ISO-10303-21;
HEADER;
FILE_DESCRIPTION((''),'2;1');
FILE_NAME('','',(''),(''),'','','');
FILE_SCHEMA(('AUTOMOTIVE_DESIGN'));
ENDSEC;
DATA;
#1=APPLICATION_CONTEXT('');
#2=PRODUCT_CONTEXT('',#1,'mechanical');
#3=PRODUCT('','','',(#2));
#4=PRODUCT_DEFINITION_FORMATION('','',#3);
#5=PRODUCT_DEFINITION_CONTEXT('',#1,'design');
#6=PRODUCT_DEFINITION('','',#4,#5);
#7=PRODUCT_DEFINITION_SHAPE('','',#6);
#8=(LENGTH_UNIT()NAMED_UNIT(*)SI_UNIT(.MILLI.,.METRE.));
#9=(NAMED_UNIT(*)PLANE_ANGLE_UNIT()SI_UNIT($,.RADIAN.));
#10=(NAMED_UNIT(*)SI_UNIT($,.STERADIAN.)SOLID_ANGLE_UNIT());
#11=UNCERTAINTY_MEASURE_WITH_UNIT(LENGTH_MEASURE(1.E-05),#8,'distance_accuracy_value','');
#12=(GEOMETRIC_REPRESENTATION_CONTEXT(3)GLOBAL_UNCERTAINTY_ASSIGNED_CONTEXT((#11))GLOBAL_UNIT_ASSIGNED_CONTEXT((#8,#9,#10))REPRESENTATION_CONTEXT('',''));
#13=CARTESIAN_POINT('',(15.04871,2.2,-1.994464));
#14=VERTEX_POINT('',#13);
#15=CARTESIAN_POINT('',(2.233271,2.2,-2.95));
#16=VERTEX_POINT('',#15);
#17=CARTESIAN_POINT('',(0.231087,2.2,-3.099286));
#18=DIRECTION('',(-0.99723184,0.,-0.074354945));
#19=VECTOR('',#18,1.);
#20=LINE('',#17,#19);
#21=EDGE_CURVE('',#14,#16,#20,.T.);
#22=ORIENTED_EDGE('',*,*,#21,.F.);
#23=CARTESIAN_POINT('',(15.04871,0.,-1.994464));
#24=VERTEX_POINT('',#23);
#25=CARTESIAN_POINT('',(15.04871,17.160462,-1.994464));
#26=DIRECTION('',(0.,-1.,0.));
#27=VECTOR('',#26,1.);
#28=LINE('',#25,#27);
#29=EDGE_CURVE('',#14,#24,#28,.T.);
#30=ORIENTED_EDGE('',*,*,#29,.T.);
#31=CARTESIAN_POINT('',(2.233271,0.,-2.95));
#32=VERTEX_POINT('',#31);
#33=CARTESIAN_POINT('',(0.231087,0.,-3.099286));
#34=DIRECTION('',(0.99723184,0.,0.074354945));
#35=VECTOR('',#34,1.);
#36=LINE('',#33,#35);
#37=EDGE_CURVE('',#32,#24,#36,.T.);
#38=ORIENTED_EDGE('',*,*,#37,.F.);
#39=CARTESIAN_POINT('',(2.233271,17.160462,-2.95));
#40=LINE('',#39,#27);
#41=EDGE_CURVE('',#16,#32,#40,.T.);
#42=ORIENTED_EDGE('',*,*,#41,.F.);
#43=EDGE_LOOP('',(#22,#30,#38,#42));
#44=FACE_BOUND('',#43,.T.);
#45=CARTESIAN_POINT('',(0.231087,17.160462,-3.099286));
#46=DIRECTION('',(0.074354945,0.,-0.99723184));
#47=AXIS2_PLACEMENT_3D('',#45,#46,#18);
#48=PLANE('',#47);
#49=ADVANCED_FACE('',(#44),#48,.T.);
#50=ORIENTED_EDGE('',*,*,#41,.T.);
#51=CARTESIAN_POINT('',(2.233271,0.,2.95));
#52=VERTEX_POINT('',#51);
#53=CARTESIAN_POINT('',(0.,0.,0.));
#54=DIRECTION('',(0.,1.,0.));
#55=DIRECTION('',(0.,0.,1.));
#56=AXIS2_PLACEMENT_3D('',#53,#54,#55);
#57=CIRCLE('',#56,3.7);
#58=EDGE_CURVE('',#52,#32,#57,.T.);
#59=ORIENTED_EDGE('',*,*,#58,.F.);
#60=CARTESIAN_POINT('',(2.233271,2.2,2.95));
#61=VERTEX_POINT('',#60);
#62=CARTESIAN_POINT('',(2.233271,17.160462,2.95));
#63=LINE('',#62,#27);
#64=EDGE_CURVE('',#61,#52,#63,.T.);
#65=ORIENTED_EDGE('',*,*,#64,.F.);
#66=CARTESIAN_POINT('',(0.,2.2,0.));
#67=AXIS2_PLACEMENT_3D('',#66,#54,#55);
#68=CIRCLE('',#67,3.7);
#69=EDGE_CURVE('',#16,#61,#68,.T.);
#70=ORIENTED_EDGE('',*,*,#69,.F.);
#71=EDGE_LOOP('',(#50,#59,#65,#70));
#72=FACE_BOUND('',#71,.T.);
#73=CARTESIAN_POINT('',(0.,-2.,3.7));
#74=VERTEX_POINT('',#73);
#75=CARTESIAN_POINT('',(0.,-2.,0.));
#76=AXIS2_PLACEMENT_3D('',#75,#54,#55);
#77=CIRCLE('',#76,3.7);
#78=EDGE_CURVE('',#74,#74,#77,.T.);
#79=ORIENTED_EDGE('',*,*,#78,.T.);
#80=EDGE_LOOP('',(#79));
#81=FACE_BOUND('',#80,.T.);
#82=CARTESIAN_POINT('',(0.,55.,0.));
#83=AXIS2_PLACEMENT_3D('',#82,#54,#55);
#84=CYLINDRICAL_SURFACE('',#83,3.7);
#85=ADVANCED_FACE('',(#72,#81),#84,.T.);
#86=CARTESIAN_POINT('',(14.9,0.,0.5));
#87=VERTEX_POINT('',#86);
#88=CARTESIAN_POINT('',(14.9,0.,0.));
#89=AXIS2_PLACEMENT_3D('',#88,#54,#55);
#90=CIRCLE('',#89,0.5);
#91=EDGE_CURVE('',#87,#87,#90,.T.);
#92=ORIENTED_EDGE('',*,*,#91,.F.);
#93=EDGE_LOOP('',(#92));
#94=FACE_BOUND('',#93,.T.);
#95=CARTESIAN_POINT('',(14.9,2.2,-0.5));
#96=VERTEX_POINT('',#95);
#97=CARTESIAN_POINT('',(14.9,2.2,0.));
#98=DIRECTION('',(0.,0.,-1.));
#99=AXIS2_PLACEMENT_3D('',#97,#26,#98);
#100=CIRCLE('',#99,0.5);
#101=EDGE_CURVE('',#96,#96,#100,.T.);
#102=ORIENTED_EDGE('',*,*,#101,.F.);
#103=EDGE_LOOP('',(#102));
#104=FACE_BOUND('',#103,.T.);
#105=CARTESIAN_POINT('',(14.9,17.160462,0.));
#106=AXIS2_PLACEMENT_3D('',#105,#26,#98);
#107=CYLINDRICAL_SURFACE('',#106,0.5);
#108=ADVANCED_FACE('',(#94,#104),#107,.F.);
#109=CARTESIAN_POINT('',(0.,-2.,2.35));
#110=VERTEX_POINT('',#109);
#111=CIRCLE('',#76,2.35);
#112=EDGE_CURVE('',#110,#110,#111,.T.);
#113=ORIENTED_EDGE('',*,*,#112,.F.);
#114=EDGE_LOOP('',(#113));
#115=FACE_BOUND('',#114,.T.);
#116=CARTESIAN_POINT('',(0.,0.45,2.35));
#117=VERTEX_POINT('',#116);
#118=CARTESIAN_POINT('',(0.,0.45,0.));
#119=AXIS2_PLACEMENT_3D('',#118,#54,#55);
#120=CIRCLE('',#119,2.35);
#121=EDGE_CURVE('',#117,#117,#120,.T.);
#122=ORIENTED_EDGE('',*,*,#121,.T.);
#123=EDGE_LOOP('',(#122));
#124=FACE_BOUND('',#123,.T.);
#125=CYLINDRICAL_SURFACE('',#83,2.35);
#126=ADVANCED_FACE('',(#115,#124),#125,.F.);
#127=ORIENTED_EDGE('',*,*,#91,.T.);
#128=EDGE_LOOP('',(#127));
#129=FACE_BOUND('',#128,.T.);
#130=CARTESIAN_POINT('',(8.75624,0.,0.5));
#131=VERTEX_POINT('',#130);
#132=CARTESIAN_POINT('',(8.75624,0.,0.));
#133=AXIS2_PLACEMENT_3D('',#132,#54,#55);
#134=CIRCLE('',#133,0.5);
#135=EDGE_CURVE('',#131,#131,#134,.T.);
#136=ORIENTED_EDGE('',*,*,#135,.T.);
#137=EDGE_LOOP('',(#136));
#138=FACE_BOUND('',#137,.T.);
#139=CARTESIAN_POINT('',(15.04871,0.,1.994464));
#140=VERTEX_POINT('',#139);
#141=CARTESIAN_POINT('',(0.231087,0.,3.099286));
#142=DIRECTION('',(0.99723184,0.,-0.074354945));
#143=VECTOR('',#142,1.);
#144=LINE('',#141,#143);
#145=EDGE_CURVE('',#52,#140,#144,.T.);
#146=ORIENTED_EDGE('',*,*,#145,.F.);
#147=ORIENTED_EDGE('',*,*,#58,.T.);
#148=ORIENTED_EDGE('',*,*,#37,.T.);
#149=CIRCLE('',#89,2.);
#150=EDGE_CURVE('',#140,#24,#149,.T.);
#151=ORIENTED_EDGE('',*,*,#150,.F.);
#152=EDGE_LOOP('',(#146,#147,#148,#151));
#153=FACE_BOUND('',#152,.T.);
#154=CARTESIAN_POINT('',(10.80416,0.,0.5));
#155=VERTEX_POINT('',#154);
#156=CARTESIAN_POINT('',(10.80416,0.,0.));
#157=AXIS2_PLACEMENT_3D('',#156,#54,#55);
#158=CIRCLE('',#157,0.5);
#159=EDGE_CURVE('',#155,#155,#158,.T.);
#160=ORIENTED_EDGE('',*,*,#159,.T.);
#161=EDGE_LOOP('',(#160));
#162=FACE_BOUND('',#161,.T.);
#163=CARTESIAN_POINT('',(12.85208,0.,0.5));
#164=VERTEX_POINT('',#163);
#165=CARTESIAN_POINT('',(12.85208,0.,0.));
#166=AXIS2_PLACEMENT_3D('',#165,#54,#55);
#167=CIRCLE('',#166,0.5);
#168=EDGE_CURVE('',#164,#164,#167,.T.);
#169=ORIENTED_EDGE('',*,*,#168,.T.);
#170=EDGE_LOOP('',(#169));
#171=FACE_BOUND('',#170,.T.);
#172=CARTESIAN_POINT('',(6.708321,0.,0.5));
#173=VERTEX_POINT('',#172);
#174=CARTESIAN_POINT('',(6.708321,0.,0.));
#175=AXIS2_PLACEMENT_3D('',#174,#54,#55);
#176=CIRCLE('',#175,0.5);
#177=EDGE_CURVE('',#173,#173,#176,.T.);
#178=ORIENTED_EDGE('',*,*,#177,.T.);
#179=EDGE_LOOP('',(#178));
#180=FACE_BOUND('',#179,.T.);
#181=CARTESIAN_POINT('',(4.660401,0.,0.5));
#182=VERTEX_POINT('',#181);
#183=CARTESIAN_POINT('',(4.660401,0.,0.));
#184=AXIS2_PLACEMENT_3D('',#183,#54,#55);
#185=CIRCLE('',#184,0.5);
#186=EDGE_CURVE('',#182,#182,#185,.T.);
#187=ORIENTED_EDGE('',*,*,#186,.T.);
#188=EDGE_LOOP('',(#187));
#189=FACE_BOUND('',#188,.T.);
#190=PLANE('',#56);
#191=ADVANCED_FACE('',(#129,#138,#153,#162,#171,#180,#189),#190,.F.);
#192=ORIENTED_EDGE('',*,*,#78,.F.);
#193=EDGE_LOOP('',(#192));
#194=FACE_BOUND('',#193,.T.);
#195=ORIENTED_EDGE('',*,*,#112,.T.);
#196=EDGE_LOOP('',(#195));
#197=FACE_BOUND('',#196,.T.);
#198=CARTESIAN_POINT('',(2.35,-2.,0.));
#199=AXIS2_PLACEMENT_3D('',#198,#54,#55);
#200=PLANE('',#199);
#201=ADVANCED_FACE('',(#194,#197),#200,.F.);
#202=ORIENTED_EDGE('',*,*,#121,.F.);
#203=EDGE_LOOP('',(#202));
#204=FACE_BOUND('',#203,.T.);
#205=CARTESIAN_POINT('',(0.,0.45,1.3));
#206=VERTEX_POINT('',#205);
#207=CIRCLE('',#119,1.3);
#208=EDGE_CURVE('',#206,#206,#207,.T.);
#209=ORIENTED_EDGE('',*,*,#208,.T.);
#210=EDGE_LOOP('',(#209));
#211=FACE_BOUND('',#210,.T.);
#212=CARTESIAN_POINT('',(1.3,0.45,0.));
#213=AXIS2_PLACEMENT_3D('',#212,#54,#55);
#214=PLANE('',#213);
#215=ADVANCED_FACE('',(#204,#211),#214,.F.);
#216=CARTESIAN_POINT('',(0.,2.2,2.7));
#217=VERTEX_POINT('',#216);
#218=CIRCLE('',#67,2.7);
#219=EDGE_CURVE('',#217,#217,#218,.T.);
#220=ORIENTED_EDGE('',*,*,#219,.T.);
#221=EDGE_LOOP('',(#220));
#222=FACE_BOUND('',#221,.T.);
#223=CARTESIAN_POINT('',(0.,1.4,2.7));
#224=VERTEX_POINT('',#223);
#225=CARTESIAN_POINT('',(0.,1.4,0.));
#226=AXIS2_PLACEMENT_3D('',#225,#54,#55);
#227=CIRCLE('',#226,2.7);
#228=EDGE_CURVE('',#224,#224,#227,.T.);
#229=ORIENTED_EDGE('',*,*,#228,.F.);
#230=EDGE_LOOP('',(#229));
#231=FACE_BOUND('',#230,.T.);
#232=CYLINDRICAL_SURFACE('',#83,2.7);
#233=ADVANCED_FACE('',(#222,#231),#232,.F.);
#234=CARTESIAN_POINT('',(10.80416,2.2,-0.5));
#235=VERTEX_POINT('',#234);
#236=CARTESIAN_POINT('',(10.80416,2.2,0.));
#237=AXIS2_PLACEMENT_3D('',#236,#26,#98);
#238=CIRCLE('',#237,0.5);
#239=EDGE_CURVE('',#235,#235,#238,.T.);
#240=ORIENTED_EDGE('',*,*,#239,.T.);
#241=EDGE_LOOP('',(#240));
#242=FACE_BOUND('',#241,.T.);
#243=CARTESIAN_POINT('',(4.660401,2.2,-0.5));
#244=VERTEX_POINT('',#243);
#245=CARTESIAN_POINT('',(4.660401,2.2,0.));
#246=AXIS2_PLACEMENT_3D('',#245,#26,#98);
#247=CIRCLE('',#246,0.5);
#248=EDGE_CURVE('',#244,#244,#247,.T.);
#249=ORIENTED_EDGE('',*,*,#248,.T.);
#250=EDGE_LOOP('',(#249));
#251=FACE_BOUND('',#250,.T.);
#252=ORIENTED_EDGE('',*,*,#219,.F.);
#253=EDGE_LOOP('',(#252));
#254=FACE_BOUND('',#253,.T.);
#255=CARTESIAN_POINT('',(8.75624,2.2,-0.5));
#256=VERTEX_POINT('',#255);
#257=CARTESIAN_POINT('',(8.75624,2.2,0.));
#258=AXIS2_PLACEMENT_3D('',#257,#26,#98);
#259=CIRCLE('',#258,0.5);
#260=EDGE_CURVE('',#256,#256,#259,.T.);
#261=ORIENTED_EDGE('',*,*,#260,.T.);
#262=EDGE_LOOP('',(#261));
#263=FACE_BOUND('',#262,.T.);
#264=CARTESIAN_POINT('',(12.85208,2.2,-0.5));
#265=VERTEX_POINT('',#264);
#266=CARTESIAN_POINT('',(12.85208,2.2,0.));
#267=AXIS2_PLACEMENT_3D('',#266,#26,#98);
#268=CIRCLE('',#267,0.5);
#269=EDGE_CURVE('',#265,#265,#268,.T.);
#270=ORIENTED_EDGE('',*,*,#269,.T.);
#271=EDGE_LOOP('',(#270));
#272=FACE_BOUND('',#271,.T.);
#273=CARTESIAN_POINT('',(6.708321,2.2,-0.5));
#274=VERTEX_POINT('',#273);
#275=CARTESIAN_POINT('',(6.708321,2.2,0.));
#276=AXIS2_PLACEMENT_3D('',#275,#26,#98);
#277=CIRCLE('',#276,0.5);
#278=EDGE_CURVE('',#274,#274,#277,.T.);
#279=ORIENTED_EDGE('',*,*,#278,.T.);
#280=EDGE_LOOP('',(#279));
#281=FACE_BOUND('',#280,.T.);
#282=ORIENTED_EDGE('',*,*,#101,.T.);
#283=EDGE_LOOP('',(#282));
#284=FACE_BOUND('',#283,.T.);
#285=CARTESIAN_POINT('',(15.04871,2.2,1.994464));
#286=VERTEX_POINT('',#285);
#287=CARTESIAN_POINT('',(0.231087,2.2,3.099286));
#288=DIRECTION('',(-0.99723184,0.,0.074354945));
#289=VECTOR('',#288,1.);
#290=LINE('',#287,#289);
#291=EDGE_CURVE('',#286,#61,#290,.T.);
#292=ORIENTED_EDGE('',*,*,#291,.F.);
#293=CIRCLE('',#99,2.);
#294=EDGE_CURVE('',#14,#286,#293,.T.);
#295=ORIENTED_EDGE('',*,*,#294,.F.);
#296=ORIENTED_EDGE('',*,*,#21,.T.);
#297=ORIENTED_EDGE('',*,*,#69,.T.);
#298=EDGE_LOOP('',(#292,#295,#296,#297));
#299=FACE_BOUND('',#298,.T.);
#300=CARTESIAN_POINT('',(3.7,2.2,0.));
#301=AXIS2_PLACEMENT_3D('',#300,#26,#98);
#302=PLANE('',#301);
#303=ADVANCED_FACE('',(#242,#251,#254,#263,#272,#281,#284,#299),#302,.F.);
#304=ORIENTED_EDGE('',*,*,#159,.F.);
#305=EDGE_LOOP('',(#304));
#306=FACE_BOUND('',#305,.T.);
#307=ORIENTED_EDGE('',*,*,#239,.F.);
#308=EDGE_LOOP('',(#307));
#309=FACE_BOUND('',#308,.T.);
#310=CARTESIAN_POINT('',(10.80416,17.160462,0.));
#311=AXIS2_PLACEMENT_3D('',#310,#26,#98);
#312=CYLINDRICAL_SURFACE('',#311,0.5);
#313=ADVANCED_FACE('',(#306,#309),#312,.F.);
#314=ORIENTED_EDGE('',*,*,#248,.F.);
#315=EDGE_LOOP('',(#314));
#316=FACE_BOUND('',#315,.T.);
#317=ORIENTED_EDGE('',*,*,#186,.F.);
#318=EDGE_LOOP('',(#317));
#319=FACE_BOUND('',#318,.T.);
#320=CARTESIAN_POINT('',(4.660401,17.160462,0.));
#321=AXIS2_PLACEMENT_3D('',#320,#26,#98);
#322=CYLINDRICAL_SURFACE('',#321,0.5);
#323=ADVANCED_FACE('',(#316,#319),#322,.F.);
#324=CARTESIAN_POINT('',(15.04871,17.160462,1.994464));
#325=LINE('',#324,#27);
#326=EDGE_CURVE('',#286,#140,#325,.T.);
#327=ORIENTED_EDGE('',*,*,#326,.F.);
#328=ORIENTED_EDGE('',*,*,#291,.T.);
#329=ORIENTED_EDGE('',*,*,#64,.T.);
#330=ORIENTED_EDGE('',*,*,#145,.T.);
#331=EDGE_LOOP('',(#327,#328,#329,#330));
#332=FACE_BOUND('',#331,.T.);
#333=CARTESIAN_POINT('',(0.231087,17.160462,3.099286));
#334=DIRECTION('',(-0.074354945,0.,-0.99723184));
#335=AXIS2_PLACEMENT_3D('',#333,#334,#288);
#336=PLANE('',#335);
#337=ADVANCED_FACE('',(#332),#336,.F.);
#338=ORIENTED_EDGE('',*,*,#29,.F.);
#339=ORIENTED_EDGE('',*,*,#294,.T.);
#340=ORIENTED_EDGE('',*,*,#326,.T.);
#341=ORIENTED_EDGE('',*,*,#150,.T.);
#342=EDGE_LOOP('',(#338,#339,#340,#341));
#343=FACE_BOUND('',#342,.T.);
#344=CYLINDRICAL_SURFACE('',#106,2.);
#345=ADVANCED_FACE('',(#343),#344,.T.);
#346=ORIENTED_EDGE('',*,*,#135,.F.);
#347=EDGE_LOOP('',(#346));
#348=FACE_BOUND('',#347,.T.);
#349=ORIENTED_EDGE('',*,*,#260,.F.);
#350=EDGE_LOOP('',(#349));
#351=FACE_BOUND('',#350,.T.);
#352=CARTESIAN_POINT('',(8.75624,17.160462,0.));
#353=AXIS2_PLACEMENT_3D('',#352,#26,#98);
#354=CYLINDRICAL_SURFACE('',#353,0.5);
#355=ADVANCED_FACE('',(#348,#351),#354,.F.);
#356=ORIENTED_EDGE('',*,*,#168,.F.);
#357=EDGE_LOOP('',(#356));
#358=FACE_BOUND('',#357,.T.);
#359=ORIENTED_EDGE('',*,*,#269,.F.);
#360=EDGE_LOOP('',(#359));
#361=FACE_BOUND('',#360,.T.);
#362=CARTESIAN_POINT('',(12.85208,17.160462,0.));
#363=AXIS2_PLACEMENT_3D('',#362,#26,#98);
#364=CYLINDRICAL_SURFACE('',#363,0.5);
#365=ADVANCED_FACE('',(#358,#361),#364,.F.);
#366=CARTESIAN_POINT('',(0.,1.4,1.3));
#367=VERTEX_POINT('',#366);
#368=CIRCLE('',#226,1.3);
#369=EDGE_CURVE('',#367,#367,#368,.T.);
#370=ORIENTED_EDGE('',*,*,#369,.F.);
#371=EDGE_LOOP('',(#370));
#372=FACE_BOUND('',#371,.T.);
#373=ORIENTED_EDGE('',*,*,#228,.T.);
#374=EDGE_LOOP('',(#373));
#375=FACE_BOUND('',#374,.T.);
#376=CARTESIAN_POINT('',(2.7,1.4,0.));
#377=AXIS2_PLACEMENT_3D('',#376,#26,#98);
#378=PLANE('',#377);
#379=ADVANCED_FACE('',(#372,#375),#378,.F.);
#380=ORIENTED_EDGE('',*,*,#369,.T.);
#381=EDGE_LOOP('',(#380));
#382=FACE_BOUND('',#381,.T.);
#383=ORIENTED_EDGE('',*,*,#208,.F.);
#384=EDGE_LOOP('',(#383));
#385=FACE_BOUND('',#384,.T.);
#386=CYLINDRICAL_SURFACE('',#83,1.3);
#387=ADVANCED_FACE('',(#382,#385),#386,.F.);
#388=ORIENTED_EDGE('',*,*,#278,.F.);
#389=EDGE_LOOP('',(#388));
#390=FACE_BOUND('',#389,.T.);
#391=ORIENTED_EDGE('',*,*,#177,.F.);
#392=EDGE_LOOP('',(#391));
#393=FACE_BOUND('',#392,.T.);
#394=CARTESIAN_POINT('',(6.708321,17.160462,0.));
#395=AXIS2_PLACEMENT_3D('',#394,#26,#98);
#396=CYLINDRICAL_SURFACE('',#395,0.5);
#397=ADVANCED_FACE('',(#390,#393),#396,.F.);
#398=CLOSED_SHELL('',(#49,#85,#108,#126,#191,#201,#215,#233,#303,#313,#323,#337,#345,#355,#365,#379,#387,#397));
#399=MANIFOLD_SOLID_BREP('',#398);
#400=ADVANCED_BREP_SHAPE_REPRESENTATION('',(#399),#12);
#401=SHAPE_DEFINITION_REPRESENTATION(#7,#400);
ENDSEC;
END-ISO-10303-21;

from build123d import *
from build123d.topology import SkipClean

# Parameters (mm, degrees)
BOSS_EXTRUDE1_START = 2.2
BOSS_EXTRUDE1_DEPTH = 2.2


with BuildPart() as part:
    # Sketch2 → Revolve1 (revolve)
    with BuildSketch(Plane.XY, mode=Mode.PRIVATE) as revolve1_sk:
        Polygon((2.7, 2.2), (2.7, 1.4), (1.3, 1.4), (1.3, 0.45), (2.35, 0.45), (2.35, -2), (3.7, -2), (3.7, 2.2), align=None)
    revolve(revolve1_sk.sketch.rotate(Axis((0, 55, 0), (0, -1, 0)), 90), axis=Axis((0, 55, 0), (0, -1, 0)))

    # Sketch3 → Boss-Extrude1 (add)
    with BuildSketch(Plane(origin=(0, 0, 0), x_dir=(1, 0, 0), z_dir=(0, 1, 0)).offset(BOSS_EXTRUDE1_START)):
        with BuildLine():
            ThreePointArc((3.7, 0), (3.313087927, -1.647254803), (2.233271143, -2.95))
            Line((2.233271143, -2.95), (15.04870989, -1.994463679))
            ThreePointArc((15.04870989, -1.994463679), (13.729944749, -1.622026729), (12.960476899, -0.488108738))
            ThreePointArc((12.960476899, -0.488108738), (12.539189082, -0.389998964), (12.35208013, 0))
            Line((12.35208013, 0), (11.304160261, 0))
            ThreePointArc((11.304160261, 0), (10.804160261, -0.5), (10.304160261, 0))
            Line((10.304160261, 0), (9.256240391, 0))
            ThreePointArc((9.256240391, 0), (8.756240391, -0.5), (8.256240391, 0))
            Line((8.256240391, 0), (7.208320521, 0))
            ThreePointArc((7.208320521, 0), (6.708320521, -0.5), (6.208320521, 0))
            Line((6.208320521, 0), (5.160400652, 0))
            ThreePointArc((5.160400652, 0), (4.660400652, -0.5), (4.160400652, 0))
            Line((4.160400652, 0), (3.7, 0))
        make_face()
        with BuildLine():
            ThreePointArc((12.960476899, -0.488108738), (13.729944749, -1.622026729), (15.04870989, -1.994463679))
            ThreePointArc((15.04870989, -1.994463679), (16.36584784, -1.360621222), (16.9, 0))
            Line((16.9, 0), (15.4, 0))
            ThreePointArc((15.4, 0), (14.9, -0.5), (14.4, 0))
            Line((14.4, 0), (13.35208013, 0))
            ThreePointArc((13.35208013, 0), (13.242079095, -0.312891048), (12.960476899, -0.488108738))
        make_face()
    boss_extrude1 = extrude(amount=-BOSS_EXTRUDE1_DEPTH)

    # Mirror1: Boss-Extrude1 across plane
    with SkipClean():  # the faces are left unmerged after this step: merging them gives an invalid solid
        add(boss_extrude1.mirror(Plane(origin=(0, 17.160462404, 0), x_dir=(1, 0, 0), z_dir=(0, 0, -1))))


solid = part.part
